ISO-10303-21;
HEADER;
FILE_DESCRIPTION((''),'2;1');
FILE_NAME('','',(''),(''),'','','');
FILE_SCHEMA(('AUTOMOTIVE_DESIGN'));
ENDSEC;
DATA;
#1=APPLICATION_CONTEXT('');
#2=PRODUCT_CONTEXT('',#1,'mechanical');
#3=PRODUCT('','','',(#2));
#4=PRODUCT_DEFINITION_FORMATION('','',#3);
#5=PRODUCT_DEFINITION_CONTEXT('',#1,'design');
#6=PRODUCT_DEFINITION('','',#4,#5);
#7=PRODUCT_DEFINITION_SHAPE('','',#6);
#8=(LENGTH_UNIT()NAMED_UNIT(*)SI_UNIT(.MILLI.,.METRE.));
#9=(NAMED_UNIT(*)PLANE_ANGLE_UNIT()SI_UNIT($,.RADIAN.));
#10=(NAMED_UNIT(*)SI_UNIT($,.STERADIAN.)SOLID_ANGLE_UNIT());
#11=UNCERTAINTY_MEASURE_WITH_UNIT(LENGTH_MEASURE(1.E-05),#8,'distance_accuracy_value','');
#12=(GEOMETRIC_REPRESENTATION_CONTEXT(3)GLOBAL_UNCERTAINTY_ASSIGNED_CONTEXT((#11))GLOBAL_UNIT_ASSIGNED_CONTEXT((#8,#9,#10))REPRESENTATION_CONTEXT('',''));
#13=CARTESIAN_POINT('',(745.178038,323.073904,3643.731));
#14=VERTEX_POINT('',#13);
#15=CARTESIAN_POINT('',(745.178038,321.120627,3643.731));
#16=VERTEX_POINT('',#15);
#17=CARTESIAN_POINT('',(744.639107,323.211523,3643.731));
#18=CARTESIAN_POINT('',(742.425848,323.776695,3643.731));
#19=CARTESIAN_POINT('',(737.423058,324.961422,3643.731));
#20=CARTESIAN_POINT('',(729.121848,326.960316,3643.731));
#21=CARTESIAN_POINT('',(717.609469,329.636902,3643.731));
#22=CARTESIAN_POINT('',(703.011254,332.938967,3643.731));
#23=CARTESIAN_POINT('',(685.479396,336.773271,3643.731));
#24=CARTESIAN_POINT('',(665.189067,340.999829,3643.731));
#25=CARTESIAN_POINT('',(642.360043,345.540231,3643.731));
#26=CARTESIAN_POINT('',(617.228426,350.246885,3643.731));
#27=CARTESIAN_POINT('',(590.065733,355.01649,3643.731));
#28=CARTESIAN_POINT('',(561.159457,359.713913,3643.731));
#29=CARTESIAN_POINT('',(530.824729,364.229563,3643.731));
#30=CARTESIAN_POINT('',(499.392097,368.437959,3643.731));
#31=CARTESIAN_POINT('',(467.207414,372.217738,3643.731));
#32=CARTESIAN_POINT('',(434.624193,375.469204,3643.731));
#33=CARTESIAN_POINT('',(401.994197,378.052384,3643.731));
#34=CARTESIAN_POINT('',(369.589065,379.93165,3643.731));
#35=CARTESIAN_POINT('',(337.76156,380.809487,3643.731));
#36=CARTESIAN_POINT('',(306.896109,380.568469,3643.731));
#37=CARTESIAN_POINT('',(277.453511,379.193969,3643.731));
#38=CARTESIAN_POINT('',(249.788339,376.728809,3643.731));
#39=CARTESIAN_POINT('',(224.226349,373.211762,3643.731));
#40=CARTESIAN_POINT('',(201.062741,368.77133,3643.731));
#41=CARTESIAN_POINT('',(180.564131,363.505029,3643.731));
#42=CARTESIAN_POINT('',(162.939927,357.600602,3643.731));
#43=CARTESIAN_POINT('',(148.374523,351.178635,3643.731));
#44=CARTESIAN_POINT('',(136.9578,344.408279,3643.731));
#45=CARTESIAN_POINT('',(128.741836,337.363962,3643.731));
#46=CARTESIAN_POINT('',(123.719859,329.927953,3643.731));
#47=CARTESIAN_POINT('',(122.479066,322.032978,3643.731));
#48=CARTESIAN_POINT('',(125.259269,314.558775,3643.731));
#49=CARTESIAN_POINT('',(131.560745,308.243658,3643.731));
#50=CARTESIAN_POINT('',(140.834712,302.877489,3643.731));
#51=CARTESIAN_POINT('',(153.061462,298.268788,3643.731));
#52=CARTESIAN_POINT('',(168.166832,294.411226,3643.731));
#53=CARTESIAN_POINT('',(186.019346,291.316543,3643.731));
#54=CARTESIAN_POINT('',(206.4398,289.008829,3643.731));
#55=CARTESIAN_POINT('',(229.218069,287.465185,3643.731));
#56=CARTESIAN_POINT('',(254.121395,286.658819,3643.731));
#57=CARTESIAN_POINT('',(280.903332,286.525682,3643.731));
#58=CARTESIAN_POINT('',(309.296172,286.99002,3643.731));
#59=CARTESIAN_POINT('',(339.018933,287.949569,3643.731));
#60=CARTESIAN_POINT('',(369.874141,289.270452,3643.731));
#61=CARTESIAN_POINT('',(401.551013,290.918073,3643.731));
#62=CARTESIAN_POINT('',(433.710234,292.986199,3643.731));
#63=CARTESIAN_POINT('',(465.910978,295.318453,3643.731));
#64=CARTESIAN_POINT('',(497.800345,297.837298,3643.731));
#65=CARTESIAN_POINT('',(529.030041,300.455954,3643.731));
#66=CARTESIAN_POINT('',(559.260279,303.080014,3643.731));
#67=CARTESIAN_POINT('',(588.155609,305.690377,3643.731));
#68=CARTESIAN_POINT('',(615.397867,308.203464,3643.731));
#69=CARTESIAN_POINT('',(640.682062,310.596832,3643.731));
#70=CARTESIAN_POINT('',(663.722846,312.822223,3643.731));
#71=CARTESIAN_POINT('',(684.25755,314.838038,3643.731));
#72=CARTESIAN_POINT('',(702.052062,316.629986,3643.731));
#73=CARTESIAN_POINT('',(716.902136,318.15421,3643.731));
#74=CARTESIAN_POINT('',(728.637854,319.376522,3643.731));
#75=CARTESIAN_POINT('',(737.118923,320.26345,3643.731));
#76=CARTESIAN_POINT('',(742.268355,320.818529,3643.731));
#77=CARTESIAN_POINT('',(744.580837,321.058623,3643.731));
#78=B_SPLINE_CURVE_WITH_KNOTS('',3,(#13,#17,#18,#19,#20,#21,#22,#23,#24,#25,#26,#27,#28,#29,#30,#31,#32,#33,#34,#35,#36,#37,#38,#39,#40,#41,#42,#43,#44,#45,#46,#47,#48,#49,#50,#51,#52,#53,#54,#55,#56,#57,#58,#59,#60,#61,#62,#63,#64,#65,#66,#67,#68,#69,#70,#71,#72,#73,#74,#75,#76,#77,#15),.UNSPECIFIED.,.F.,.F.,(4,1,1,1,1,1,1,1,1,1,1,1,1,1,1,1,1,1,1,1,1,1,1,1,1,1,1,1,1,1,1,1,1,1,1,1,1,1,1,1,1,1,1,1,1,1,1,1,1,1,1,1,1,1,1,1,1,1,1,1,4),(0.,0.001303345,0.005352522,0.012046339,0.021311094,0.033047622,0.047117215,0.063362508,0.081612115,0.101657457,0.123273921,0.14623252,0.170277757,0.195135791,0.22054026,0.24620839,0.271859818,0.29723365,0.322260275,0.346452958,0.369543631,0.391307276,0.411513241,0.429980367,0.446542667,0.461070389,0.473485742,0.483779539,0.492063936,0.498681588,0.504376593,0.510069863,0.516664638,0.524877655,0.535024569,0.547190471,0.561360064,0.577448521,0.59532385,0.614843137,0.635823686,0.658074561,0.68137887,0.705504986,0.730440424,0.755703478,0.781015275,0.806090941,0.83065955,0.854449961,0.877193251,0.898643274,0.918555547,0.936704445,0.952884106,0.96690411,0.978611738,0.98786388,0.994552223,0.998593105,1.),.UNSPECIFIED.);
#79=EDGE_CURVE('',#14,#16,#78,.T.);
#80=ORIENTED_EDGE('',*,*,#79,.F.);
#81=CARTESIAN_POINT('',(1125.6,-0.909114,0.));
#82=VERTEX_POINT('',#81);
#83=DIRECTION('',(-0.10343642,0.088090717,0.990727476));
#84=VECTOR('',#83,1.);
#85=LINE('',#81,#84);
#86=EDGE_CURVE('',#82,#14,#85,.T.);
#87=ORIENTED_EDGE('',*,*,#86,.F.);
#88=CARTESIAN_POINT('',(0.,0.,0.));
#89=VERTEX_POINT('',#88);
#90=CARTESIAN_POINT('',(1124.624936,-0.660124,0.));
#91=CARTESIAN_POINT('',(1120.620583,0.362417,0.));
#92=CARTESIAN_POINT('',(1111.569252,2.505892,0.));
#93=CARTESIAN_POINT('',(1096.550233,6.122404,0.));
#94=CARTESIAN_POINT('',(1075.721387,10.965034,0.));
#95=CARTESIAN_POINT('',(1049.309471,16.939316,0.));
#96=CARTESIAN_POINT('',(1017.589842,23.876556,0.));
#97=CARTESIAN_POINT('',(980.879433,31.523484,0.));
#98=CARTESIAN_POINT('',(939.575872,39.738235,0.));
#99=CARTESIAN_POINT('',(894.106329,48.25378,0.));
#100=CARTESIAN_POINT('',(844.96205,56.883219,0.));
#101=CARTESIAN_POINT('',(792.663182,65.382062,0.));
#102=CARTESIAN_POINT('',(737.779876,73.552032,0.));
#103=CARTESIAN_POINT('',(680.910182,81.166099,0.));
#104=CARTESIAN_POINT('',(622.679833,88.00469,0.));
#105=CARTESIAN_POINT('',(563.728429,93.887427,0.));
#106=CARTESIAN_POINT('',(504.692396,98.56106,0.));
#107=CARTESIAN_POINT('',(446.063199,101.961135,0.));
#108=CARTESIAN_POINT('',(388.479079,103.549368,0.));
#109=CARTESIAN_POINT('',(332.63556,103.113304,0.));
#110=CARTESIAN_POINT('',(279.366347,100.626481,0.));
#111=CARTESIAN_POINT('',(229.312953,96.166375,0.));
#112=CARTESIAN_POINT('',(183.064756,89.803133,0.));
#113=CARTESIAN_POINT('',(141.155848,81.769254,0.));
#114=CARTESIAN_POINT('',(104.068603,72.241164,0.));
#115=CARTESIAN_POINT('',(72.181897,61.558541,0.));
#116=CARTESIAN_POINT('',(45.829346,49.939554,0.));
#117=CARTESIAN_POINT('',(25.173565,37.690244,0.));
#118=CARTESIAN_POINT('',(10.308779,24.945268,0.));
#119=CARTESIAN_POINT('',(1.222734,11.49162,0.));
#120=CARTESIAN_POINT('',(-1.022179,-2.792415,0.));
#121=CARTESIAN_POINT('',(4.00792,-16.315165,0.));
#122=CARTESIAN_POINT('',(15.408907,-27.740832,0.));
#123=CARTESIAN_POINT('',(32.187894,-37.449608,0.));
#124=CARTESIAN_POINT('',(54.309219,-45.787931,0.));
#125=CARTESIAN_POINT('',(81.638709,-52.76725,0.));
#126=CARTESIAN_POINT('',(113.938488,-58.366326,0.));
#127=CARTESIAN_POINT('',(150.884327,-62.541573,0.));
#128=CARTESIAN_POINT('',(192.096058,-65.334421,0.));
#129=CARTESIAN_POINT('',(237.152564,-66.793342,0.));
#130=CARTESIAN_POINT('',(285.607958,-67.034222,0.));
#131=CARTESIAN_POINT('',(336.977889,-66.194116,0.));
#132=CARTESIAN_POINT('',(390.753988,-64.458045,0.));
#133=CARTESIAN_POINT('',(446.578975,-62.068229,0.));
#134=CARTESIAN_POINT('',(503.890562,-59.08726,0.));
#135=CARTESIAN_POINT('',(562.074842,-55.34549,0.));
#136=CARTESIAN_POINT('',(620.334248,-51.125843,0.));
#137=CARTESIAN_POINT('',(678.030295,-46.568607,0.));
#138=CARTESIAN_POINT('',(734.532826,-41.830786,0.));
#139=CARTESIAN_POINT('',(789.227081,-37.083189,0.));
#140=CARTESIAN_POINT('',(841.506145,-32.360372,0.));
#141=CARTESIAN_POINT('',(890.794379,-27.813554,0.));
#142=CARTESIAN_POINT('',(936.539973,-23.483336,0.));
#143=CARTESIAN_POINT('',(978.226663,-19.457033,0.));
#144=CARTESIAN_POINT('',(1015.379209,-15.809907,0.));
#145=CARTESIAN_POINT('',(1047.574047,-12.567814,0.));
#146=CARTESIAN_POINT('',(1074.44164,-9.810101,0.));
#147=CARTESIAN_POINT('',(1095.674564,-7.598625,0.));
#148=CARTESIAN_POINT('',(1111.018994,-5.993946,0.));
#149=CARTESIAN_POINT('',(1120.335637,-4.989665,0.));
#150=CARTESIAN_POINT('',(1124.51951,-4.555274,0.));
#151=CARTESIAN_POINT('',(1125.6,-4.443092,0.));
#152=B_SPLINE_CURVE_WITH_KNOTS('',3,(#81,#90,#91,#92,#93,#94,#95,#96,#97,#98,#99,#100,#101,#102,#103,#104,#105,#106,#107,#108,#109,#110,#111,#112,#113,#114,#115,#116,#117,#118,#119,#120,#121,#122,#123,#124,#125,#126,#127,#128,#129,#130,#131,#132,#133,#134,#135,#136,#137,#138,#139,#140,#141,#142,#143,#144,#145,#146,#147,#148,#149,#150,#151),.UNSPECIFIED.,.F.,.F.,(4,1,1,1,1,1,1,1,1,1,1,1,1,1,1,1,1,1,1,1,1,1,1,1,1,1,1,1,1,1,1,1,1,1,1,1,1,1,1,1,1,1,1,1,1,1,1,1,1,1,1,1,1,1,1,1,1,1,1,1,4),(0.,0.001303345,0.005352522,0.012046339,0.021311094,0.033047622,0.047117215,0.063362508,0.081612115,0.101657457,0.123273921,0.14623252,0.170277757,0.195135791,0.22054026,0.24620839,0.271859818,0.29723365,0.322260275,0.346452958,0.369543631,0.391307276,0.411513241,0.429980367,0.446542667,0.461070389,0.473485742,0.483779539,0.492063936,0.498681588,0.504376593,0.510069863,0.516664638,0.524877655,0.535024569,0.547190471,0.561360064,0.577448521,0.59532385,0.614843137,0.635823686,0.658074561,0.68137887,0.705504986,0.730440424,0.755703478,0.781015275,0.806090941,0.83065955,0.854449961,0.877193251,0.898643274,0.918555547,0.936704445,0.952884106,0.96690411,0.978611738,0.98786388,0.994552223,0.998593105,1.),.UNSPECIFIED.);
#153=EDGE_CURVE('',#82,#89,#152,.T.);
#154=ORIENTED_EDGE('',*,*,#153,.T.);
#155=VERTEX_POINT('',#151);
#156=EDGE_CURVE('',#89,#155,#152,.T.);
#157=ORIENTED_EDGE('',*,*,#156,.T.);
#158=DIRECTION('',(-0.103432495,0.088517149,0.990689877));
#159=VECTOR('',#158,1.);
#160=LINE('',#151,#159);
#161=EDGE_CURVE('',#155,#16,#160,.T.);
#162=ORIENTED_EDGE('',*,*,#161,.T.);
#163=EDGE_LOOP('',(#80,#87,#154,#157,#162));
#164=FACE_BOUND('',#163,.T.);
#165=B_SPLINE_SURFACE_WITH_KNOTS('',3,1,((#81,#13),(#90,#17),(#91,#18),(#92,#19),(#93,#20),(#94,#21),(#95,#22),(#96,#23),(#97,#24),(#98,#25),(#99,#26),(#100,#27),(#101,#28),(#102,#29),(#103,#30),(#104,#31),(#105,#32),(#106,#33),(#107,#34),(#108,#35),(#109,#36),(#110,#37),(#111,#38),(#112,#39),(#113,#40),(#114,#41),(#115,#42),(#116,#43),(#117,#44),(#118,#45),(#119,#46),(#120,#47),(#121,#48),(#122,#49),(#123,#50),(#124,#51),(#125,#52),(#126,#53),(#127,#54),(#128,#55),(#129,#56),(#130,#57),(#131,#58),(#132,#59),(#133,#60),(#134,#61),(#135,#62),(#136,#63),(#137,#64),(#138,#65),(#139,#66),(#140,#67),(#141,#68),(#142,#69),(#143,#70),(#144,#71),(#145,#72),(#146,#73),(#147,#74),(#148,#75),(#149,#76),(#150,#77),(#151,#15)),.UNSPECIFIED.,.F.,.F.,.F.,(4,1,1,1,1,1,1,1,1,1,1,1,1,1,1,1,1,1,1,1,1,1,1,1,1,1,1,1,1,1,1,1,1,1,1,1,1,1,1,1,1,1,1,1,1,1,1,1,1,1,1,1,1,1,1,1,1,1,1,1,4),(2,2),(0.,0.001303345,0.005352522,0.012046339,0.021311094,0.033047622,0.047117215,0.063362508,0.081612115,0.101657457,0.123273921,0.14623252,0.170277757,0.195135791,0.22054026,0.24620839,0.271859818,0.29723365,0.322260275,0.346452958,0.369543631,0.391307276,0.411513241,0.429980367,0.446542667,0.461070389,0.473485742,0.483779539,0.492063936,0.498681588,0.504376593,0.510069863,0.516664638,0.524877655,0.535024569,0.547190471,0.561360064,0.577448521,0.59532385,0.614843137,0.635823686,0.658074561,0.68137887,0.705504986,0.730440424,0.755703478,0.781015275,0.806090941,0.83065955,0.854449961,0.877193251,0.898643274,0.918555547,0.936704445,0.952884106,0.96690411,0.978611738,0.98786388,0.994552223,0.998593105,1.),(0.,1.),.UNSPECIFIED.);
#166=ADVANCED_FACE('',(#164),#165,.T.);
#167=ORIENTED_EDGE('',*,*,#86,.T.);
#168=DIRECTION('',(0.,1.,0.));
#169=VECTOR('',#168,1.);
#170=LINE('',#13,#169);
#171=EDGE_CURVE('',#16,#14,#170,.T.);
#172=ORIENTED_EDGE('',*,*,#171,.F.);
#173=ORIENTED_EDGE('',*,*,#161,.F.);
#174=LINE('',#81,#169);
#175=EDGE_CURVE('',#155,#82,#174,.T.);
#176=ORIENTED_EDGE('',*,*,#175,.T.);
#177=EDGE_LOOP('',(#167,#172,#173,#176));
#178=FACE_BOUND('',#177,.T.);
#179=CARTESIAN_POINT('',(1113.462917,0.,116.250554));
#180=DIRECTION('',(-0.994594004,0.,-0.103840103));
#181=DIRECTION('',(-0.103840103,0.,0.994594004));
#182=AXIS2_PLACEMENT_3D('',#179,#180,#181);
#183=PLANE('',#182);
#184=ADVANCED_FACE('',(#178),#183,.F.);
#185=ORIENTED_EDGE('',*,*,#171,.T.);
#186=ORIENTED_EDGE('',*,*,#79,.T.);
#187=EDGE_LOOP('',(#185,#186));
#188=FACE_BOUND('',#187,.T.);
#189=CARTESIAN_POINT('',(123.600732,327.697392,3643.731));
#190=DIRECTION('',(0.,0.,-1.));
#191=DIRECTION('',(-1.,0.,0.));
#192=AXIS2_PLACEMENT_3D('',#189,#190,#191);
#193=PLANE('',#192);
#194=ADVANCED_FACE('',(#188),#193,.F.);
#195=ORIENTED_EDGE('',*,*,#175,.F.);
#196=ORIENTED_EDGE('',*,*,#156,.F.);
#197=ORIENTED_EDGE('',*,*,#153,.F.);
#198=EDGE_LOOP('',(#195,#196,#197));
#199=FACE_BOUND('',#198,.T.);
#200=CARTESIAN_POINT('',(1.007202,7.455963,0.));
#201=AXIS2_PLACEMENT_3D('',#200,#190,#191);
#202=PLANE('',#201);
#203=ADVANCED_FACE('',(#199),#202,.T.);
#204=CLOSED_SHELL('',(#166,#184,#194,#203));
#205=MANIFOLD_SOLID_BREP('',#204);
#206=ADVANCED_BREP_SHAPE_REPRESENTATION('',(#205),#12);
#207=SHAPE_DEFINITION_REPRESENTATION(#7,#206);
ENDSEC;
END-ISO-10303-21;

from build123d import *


with BuildPart() as part:
    # 1st airfoil → Loft2 section 0
    with BuildSketch(Plane.XY):
        with BuildLine():
            Line((1125.6, -0.909113568), (1125.6, -4.443091626))
            add(Edge.make_bspline(
                [(1125.6, -0.909113568), (1124.624936017, -0.660123834), (1120.62058284, 0.362417095), (1111.569252242, 2.505892261), (1096.550232752, 6.122404163), (1075.721387403, 10.965034412), (1049.309471361, 16.939316357), (1017.589841857, 23.876555702), (980.879432728, 31.523483854), (939.57587159, 39.738235439), (894.106329061, 48.253780275), (844.962049596, 56.883219356), (792.663181964, 65.38206179), (737.779875794, 73.55203211), (680.910182361, 81.166099133), (622.679833451, 88.004690437), (563.728429075, 93.887426627), (504.692395813, 98.561060411), (446.063199303, 101.961134933), (388.479078604, 103.549368042), (332.635559806, 103.11330405), (279.366346507, 100.626480887), (229.31295313, 96.166374749), (183.064756493, 89.803133409), (141.155847984, 81.769253747), (104.068602802, 72.2411645), (72.181897097, 61.558540548), (45.829346012, 49.93955445), (25.173564969, 37.690244008), (10.308778563, 24.94526832), (1.222733541, 11.491620122), (-1.022178786, -2.79241528), (4.007920171, -16.31516538), (15.408907008, -27.740831572), (32.187893722, -37.449608005), (54.309219424, -45.787931347), (81.638708838, -52.767249623), (113.938487706, -58.366325567), (150.884327322, -62.541572904), (192.096058356, -65.334420876), (237.152563597, -66.793342351), (285.607958385, -67.034221669), (336.977889113, -66.194115953), (390.753987563, -64.45804455), (446.578975057, -62.068229157), (503.890562489, -59.08726048), (562.074842401, -55.3454901), (620.33424818, -51.125842776), (678.030294929, -46.568607181), (734.532825698, -41.830786011), (789.227081447, -37.08318905), (841.506144564, -32.360371722), (890.794379398, -27.813553826), (936.539972629, -23.48333636), (978.226662529, -19.457033232), (1015.37920935, -15.809907167), (1047.574046904, -12.567814373), (1074.441639775, -9.810101231), (1095.674563553, -7.598624963), (1111.018994368, -5.993945559), (1120.335636801, -4.989664738), (1124.519509654, -4.55527366), (1125.6, -4.443091626)],
                knots=[0, 0, 0, 0, 0.001303345, 0.005352522, 0.012046339, 0.021311094, 0.033047622, 0.047117215, 0.063362508, 0.081612115, 0.101657457, 0.123273921, 0.14623252, 0.170277757, 0.195135791, 0.22054026, 0.24620839, 0.271859818, 0.29723365, 0.322260275, 0.346452958, 0.369543631, 0.391307276, 0.411513241, 0.429980367, 0.446542667, 0.461070389, 0.473485742, 0.483779539, 0.492063936, 0.498681588, 0.504376593, 0.510069863, 0.516664638, 0.524877655, 0.535024569, 0.547190471, 0.561360064, 0.577448521, 0.59532385, 0.614843137, 0.635823686, 0.658074561, 0.68137887, 0.705504986, 0.730440424, 0.755703478, 0.781015275, 0.806090941, 0.83065955, 0.854449961, 0.877193251, 0.898643274, 0.918555547, 0.936704445, 0.952884106, 0.96690411, 0.978611738, 0.98786388, 0.994552223, 0.998593105, 1, 1, 1, 1], degree=3))
        make_face()
    # Sketch5 → Loft2 section 1
    with BuildSketch(Plane.XY.offset(3643.731)):
        with BuildLine():
            Line((745.178038041, 323.07390356), (745.178038041, 321.12062717))
            add(Edge.make_bspline(
                [(745.178038041, 323.07390356), (744.639107288, 323.211523477), (742.425848351, 323.776695367), (737.423058275, 324.961422427), (729.121847656, 326.960316364), (717.609469483, 329.63690212), (703.011254331, 332.938966729), (685.479395783, 336.773270622), (665.18906736, 340.999828902), (642.360043101, 345.540230698), (617.228425856, 350.246884901), (590.065732927, 355.016489959), (561.159457416, 359.713912524), (530.82472856, 364.229563124), (499.392097204, 368.437958623), (467.207413578, 372.21773844), (434.624193065, 375.4692045), (401.994197047, 378.052383676), (369.58906508, 379.931649812), (337.76156033, 380.809487247), (306.896109261, 380.568468914), (277.453510872, 379.193968877), (249.788338666, 376.728809253), (224.226349001, 373.211761645), (201.062741248, 368.771330151), (180.564130557, 363.505029266), (162.939926784, 357.600601788), (148.374523428, 351.178634573), (136.957800185, 344.408278761), (128.741836231, 337.363962214), (123.719859034, 329.927953004), (122.479066314, 322.032977807), (125.259268503, 314.558775061), (131.560744644, 308.243658314), (140.834712413, 302.877489233), (153.061461564, 298.268787693), (168.166831648, 294.411226218), (186.01934642, 291.316542926), (206.439800385, 289.008828527), (229.218068931, 287.465184533), (254.121395007, 286.658819347), (280.903332269, 286.525682164), (309.296172072, 286.990019699), (339.018932585, 287.949569314), (369.874141158, 289.270451874), (401.551013169, 290.918072669), (433.71023385, 292.986198622), (465.910977591, 295.318453481), (497.800345349, 297.837297839), (529.030041047, 300.455954232), (559.260279236, 303.080013833), (588.15560853, 305.690377405), (615.397867494, 308.203463763), (640.682061613, 310.5968322), (663.722846202, 312.822223165), (684.257549973, 314.838037955), (702.052062292, 316.629985501), (716.902136051, 318.154210011), (728.637853714, 319.376522179), (737.118923473, 320.263449699), (742.268354909, 320.818528985), (744.580836743, 321.058622676), (745.178038041, 321.12062717)],
                knots=[0, 0, 0, 0, 0.001303345, 0.005352522, 0.012046339, 0.021311094, 0.033047622, 0.047117215, 0.063362508, 0.081612115, 0.101657457, 0.123273921, 0.14623252, 0.170277757, 0.195135791, 0.22054026, 0.24620839, 0.271859818, 0.29723365, 0.322260275, 0.346452958, 0.369543631, 0.391307276, 0.411513241, 0.429980367, 0.446542667, 0.461070389, 0.473485742, 0.483779539, 0.492063936, 0.498681588, 0.504376593, 0.510069863, 0.516664638, 0.524877655, 0.535024569, 0.547190471, 0.561360064, 0.577448521, 0.59532385, 0.614843137, 0.635823686, 0.658074561, 0.68137887, 0.705504986, 0.730440424, 0.755703478, 0.781015275, 0.806090941, 0.83065955, 0.854449961, 0.877193251, 0.898643274, 0.918555547, 0.936704445, 0.952884106, 0.96690411, 0.978611738, 0.98786388, 0.994552223, 0.998593105, 1, 1, 1, 1], degree=3))
        make_face()
    loft()


solid = part.part
